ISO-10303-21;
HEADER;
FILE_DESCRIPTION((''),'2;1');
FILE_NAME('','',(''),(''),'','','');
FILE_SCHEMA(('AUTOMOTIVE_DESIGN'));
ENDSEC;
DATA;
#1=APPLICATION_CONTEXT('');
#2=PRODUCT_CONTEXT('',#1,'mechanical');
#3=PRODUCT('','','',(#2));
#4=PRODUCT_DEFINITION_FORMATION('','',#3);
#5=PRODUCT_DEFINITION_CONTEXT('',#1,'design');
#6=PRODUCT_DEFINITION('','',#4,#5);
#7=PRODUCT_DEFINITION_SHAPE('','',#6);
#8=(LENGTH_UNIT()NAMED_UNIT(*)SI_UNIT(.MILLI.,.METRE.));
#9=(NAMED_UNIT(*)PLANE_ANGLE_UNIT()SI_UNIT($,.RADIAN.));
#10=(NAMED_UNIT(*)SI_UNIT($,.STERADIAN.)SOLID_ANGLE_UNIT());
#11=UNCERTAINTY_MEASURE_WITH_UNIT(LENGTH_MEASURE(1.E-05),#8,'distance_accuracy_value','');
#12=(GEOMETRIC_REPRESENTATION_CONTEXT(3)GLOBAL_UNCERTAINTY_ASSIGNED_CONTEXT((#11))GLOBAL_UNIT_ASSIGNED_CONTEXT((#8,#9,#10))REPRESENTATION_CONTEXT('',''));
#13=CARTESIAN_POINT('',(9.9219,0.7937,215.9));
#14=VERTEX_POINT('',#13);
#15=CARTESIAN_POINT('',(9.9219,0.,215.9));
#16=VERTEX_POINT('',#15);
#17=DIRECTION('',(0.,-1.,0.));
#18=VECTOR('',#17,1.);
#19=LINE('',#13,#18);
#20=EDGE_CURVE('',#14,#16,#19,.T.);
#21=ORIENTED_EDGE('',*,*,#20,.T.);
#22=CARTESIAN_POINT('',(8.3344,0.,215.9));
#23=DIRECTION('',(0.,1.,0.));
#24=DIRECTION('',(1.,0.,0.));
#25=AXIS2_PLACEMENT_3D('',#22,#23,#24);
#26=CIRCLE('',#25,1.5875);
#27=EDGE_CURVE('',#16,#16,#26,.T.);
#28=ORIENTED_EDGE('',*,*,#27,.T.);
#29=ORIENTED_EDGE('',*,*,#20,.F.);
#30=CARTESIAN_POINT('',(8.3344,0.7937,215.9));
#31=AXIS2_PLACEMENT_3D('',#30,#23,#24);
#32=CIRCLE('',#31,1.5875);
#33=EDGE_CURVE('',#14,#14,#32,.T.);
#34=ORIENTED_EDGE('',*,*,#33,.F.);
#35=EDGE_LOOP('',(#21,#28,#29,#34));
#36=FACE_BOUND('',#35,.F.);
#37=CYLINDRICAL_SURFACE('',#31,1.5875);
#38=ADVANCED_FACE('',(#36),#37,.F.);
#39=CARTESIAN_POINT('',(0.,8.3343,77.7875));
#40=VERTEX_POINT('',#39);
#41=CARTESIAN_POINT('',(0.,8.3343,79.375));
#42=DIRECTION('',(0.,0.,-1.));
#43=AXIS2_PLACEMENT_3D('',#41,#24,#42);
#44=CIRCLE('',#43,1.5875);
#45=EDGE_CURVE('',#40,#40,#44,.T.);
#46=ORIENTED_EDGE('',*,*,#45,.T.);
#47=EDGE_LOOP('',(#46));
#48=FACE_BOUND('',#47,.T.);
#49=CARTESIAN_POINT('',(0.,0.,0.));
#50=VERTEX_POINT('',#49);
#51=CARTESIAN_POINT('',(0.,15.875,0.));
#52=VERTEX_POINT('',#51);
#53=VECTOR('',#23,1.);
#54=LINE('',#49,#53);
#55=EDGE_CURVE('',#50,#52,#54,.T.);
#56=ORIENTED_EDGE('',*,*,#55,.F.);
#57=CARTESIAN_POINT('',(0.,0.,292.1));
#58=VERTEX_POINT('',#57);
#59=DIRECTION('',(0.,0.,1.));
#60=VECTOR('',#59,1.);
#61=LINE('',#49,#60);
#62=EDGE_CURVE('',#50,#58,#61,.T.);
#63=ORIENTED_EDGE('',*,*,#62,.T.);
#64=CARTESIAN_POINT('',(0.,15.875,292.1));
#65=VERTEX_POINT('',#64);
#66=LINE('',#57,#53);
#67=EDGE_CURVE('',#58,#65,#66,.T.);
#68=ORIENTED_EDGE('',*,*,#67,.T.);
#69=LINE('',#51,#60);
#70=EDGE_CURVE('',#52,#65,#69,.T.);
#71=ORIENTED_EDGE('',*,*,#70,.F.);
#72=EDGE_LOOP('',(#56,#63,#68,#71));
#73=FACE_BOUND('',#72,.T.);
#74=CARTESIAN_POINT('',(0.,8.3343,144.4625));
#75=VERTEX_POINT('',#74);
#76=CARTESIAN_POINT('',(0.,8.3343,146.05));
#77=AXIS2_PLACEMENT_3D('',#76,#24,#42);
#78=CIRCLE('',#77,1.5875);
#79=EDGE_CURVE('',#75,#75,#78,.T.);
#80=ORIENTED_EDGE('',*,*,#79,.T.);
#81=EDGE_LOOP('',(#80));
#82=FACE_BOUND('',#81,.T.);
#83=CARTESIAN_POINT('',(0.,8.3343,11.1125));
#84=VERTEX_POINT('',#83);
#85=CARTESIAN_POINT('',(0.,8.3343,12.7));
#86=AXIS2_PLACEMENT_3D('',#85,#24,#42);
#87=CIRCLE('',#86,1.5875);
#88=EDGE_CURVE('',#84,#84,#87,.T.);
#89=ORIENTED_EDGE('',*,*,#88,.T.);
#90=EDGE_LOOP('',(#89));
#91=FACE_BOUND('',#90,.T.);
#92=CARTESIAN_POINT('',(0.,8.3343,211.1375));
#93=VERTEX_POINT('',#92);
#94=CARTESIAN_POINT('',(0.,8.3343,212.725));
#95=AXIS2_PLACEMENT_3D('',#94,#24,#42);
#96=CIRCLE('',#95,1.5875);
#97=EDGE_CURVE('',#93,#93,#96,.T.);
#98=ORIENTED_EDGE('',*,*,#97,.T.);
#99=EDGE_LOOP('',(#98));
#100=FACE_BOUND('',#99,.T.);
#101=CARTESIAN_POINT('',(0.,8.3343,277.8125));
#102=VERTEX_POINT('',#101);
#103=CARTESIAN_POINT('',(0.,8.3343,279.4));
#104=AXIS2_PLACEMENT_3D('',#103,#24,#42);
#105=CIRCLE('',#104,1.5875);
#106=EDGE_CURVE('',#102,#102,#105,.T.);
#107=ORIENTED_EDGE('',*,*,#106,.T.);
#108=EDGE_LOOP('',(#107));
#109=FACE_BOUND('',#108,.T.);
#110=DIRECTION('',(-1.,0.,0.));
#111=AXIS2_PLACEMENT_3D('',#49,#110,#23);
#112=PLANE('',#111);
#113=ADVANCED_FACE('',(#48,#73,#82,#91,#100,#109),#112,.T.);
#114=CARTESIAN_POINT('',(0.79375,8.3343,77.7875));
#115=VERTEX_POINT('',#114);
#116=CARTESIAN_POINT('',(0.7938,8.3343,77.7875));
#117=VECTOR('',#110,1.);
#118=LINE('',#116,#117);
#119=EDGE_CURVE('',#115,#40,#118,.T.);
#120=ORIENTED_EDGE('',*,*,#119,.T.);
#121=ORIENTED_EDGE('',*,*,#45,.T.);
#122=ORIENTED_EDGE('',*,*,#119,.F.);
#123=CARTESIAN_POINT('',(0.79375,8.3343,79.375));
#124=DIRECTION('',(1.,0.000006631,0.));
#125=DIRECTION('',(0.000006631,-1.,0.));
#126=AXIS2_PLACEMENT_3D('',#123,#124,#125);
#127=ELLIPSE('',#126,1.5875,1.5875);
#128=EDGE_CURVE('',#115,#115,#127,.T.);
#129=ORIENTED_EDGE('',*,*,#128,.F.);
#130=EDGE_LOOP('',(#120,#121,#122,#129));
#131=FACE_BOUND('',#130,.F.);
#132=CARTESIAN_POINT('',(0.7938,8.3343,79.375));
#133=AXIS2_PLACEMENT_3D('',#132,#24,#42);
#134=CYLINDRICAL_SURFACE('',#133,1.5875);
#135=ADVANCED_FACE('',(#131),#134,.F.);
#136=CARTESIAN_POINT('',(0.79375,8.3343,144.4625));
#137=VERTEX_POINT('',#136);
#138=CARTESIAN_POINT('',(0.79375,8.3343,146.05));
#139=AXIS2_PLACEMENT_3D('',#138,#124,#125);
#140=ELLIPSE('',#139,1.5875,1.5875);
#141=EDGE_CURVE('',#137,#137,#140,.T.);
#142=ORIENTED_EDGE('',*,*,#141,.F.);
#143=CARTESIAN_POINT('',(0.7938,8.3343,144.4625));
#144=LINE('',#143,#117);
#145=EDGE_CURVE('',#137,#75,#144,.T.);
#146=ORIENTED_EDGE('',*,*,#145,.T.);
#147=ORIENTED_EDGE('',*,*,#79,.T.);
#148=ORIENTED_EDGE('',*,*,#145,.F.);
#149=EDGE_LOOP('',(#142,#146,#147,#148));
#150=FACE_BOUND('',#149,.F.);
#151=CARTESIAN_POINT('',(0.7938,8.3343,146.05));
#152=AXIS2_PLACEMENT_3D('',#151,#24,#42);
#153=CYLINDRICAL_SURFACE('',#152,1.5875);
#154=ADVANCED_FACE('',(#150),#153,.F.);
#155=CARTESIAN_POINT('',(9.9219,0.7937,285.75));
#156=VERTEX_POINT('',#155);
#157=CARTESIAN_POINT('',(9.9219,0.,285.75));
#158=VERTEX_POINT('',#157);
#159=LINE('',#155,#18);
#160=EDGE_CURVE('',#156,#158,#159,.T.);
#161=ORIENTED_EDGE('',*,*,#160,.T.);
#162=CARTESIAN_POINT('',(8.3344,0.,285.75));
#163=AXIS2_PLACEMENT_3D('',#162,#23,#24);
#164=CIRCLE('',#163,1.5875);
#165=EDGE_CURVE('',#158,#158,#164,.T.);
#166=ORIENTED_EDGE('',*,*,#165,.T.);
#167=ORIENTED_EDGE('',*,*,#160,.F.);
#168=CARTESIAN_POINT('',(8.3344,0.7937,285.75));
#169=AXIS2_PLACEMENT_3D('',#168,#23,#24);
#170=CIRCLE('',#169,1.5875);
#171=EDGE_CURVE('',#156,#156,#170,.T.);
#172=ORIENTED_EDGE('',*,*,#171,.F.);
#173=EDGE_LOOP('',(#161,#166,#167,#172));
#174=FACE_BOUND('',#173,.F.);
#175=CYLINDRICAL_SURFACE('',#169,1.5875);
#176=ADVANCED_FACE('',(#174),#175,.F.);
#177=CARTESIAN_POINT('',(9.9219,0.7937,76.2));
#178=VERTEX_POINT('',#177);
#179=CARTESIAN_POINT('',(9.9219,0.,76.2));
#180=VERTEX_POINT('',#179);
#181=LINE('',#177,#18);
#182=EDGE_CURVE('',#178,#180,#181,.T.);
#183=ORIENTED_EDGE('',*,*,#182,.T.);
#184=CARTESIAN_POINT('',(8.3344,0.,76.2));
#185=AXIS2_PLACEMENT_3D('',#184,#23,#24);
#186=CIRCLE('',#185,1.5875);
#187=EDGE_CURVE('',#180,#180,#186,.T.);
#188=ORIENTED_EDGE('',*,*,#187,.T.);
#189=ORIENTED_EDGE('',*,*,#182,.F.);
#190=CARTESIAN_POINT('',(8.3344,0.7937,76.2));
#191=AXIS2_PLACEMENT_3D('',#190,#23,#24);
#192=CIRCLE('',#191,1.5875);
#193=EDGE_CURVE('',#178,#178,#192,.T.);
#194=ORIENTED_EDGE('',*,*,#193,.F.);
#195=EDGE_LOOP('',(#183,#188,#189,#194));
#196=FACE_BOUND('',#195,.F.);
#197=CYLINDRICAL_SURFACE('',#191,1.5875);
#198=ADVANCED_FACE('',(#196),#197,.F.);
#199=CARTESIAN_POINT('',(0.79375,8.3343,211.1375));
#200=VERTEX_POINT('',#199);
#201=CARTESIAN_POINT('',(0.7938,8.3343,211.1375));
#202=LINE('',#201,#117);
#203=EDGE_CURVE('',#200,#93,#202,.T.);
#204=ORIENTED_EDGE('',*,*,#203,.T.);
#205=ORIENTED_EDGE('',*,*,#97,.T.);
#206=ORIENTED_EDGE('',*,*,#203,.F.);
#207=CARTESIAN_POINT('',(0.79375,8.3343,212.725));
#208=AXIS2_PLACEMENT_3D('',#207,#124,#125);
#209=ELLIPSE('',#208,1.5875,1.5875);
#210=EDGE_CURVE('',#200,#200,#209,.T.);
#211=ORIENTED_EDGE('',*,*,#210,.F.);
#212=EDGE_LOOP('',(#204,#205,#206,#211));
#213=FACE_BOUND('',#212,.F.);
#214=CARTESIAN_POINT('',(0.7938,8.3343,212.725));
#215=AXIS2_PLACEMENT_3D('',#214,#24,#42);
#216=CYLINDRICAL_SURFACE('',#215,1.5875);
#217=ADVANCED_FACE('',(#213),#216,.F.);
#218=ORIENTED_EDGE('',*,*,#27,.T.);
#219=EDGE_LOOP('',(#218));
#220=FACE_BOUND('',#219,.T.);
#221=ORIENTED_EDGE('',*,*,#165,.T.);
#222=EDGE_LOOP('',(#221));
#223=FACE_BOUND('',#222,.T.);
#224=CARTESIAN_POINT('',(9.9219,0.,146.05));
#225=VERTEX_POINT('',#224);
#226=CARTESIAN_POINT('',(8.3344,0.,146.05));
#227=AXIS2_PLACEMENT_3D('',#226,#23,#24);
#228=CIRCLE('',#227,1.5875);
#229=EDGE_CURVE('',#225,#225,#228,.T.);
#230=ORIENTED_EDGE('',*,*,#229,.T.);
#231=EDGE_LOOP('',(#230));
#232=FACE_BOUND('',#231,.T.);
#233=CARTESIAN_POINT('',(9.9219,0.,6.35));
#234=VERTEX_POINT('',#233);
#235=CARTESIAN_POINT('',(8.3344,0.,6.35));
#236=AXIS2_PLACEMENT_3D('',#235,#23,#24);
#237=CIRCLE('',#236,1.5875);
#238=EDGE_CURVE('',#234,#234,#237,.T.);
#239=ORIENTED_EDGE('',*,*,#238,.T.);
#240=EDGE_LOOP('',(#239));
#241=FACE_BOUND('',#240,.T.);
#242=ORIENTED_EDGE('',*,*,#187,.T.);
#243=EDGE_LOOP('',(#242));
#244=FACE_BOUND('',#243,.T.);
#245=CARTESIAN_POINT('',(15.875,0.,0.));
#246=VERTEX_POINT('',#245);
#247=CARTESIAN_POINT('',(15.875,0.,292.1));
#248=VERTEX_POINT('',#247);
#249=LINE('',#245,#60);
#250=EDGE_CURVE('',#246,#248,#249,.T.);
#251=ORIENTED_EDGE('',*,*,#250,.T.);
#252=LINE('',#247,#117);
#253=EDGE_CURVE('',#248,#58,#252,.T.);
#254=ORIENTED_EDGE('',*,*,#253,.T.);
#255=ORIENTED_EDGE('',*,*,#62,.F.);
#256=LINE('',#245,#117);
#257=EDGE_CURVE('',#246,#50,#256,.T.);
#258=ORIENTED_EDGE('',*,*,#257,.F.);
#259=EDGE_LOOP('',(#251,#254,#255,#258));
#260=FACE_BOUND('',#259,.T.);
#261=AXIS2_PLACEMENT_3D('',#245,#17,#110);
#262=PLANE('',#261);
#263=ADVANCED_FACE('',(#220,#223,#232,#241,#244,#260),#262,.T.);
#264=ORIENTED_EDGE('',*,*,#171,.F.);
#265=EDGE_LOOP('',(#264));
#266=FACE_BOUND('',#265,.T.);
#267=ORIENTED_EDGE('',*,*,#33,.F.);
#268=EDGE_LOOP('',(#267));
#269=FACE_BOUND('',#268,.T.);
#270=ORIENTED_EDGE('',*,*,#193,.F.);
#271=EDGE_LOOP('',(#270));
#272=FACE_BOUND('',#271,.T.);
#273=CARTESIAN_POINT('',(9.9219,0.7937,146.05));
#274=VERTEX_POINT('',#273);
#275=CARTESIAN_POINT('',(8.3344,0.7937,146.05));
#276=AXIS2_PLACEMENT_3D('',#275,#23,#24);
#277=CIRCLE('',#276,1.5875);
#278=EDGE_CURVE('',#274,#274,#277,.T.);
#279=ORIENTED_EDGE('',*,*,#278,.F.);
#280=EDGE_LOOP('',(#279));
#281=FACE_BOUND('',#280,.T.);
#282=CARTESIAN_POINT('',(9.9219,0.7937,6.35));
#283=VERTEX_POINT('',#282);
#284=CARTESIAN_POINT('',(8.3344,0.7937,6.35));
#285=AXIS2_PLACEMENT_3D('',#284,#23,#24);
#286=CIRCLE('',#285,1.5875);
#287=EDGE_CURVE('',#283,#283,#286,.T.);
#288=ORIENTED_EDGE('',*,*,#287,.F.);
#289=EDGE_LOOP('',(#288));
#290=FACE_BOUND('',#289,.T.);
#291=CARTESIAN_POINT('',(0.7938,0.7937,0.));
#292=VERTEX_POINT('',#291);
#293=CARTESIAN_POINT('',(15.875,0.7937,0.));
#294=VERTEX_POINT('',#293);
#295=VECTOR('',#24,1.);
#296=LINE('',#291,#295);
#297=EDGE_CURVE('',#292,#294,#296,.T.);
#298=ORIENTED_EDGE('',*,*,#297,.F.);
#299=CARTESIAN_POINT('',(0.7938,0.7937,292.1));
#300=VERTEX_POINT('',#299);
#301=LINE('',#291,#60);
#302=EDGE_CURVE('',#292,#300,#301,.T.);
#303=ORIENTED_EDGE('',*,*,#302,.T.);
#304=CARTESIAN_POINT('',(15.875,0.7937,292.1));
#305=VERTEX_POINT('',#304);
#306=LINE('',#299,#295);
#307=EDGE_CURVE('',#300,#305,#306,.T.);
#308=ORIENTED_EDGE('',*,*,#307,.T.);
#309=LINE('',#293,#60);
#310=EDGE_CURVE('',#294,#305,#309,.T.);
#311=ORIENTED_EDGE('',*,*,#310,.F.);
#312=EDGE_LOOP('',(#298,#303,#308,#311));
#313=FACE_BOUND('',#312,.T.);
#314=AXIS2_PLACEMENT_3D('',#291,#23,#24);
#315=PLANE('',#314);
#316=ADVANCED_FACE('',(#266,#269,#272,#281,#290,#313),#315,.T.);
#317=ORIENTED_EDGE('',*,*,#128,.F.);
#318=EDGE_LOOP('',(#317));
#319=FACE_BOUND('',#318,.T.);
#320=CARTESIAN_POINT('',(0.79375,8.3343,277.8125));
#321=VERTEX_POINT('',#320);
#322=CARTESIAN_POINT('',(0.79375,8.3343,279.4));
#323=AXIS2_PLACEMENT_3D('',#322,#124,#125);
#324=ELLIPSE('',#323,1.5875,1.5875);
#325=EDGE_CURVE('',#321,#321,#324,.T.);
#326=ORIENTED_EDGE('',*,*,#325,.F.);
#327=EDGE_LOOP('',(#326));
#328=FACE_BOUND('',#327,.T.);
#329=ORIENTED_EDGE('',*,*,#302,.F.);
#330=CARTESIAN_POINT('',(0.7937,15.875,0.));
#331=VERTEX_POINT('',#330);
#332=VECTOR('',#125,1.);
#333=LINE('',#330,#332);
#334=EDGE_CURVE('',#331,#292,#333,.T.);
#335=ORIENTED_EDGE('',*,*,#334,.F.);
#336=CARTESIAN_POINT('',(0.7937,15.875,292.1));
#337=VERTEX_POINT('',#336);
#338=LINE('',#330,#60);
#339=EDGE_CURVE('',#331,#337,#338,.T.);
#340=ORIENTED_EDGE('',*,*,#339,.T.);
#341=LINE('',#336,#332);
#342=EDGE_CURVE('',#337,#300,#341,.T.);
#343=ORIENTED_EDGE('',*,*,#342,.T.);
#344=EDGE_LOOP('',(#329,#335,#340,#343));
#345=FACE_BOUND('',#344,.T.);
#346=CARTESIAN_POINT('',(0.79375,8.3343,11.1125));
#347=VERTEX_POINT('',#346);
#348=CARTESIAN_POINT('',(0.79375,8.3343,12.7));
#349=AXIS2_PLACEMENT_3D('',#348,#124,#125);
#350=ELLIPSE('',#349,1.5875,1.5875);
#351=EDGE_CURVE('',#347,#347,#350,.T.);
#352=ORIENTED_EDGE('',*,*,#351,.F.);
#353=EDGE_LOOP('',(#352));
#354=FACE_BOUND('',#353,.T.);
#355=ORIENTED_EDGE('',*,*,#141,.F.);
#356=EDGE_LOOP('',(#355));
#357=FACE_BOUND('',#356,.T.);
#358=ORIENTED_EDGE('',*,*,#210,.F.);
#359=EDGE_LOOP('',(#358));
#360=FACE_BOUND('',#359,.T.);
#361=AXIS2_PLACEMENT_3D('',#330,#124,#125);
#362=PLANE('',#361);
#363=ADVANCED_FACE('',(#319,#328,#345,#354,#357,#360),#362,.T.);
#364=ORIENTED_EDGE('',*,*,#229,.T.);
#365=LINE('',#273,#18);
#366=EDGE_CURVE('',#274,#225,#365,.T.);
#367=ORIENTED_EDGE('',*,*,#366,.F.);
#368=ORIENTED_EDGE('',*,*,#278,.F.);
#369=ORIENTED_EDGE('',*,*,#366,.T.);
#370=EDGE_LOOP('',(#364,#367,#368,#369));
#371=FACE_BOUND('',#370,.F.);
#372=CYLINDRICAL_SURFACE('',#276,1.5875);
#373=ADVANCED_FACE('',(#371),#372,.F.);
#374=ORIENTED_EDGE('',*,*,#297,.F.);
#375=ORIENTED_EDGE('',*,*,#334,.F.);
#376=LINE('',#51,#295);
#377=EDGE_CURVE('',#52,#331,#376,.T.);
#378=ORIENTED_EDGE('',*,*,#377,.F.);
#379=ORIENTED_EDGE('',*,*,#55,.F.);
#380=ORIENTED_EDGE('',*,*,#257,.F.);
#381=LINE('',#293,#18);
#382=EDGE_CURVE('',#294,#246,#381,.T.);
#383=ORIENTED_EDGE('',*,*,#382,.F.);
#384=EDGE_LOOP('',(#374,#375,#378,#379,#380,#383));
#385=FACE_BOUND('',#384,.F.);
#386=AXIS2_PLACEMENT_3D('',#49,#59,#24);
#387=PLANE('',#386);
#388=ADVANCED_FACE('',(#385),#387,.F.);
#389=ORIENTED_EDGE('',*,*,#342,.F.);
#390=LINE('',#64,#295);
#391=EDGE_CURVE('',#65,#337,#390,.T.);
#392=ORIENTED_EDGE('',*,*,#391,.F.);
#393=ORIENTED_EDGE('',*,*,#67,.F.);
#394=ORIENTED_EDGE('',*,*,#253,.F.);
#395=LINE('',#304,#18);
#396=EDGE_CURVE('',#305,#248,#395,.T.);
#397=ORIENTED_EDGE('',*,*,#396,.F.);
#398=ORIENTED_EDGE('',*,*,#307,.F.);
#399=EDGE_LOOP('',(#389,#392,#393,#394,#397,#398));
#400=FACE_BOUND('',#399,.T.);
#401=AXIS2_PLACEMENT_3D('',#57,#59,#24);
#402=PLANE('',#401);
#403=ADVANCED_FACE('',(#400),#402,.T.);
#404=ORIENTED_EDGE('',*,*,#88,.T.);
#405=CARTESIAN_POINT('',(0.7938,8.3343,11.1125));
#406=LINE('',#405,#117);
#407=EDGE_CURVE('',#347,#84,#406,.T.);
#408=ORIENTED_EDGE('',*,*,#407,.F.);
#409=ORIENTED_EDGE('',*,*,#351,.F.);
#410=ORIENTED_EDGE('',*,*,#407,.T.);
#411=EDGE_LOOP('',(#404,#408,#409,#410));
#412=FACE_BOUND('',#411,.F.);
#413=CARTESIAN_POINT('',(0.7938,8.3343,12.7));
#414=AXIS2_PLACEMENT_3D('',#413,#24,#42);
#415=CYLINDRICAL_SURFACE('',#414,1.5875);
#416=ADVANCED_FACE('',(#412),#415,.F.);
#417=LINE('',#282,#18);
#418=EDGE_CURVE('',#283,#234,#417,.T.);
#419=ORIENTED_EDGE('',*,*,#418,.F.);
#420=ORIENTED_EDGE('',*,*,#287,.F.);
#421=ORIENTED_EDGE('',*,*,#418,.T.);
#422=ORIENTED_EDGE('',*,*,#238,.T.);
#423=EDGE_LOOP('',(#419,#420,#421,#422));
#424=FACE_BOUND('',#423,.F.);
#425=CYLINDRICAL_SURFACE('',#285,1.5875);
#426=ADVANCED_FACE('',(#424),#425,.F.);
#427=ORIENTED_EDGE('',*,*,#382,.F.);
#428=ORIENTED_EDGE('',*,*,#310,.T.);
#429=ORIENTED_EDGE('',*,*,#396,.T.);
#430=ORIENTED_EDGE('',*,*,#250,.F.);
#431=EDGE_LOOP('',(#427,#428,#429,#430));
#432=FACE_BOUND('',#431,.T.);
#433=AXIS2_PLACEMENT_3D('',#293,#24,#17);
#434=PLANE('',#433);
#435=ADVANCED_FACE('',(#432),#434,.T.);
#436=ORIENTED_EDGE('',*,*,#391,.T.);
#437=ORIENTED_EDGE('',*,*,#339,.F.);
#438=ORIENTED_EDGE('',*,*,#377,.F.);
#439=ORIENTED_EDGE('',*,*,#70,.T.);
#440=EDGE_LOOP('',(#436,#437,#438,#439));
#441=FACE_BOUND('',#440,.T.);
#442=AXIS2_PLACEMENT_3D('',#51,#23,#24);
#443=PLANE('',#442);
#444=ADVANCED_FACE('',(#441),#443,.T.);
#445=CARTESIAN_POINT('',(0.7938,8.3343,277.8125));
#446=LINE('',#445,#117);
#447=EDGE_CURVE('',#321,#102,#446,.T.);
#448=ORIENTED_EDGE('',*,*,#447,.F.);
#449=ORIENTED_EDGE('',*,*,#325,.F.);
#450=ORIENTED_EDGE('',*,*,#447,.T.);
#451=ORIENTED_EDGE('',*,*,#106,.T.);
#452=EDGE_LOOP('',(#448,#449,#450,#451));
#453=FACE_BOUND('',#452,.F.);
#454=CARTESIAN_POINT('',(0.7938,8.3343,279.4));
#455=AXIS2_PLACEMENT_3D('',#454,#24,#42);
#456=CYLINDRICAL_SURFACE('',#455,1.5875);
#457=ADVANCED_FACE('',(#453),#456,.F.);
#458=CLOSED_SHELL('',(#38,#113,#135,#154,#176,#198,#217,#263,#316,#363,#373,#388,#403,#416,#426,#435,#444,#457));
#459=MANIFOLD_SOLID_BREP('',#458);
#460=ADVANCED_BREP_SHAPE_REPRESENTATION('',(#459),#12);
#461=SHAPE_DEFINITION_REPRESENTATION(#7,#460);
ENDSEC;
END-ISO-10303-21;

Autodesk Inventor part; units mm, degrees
ref_plane "YZ Plane" through (0, 0, 0) normal (1, 0, 0) x (0, 1, 0)
ref_plane "XZ Plane" through (0, 0, 0) normal (0, 1, 0) x (-1, 0, 0)
ref_plane "XY Plane" through (0, 0, 0) normal (0, 0, 1) x (1, 0, 0)
sketch "Sketch1" plane through (0, 0, 0) normal (0, 0, 1) x (1, 0, 0)
  line L0 (0, 0) -> (0, 15.875)
  line L1 (0, 15.875) -> (0.7937, 15.875)
  line L2 (0.7937, 15.875) -> (0.7938, 0.7937)
  line L3 (0.7938, 0.7937) -> (15.875, 0.7937)
  line L4 (15.875, 0.7937) -> (15.875, 0)
  line L5 (15.875, 0) -> (0, 0)
  dimension "d0" = 15.875
  dimension "d1" = 0.7937
extrude "Extrusion1" add sketch "Sketch1" along normal blind 292.1
sketch "Sketch2" plane through (0.7938, 0.7937, 0) normal (0, 1, 0) x (1, 0, 0)
  line L0 (0, 0) -> (15.0812, 0) projected
  line L1 (15.0812, -292.1) -> (0, -292.1) projected
  line L2 (7.5406, 0) -> (7.5406, -292.1) construction
  circle A0 centre (7.5406, -6.35) radius 1.5875
  circle A1 centre (7.5406, -76.2) radius 1.5875
  circle A2 centre (7.5406, -146.05) radius 1.5875
  circle A3 centre (7.5406, -215.9) radius 1.5875
  circle A4 centre (7.5406, -285.75) radius 1.5875
  point P0 (-0.7938, 0)
  dimension "d4" = 6.35
  dimension "d5" = 3.175
  dimension "d6" = 292.1
  dimension "d9" = 69.85
sketch "Sketch3" plane through (0.7938, 0.7937, 0) normal (1, 0, 0) x (0, 0, -1)
  line L0 (0, 15.0812) -> (0, 0) projected
  line L1 (-292.1, 0) -> (-292.1, 15.0812) projected
  line L2 (-292.1, 7.5406) -> (0, 7.5406) construction
  circle A0 centre (-12.7, 7.5406) radius 1.5875
  circle A1 centre (-79.375, 7.5406) radius 1.5875
  circle A2 centre (-146.05, 7.5406) radius 1.5875
  circle A3 centre (-212.725, 7.5406) radius 1.5875
  circle A4 centre (-279.4, 7.5406) radius 1.5875
  point P0 (0, -0.7937)
  dimension "d14" = 3.175
  dimension "d15" = 12.7
  dimension "d16" = 292.1
  dimension "d19" = 66.675
extrude "Extrusion2" cut sketch "Sketch2" against normal through all
extrude "Extrusion3" cut sketch "Sketch3" against normal through all
equation "\"d9\" = -0.5 * d4 + 0.25 * d6"
equation "\"d19\" = -0.5 * d15 + 0.25 * d16"
properties part number "Hopper Bracing Top Left P4" material "Aluminum 6061"
